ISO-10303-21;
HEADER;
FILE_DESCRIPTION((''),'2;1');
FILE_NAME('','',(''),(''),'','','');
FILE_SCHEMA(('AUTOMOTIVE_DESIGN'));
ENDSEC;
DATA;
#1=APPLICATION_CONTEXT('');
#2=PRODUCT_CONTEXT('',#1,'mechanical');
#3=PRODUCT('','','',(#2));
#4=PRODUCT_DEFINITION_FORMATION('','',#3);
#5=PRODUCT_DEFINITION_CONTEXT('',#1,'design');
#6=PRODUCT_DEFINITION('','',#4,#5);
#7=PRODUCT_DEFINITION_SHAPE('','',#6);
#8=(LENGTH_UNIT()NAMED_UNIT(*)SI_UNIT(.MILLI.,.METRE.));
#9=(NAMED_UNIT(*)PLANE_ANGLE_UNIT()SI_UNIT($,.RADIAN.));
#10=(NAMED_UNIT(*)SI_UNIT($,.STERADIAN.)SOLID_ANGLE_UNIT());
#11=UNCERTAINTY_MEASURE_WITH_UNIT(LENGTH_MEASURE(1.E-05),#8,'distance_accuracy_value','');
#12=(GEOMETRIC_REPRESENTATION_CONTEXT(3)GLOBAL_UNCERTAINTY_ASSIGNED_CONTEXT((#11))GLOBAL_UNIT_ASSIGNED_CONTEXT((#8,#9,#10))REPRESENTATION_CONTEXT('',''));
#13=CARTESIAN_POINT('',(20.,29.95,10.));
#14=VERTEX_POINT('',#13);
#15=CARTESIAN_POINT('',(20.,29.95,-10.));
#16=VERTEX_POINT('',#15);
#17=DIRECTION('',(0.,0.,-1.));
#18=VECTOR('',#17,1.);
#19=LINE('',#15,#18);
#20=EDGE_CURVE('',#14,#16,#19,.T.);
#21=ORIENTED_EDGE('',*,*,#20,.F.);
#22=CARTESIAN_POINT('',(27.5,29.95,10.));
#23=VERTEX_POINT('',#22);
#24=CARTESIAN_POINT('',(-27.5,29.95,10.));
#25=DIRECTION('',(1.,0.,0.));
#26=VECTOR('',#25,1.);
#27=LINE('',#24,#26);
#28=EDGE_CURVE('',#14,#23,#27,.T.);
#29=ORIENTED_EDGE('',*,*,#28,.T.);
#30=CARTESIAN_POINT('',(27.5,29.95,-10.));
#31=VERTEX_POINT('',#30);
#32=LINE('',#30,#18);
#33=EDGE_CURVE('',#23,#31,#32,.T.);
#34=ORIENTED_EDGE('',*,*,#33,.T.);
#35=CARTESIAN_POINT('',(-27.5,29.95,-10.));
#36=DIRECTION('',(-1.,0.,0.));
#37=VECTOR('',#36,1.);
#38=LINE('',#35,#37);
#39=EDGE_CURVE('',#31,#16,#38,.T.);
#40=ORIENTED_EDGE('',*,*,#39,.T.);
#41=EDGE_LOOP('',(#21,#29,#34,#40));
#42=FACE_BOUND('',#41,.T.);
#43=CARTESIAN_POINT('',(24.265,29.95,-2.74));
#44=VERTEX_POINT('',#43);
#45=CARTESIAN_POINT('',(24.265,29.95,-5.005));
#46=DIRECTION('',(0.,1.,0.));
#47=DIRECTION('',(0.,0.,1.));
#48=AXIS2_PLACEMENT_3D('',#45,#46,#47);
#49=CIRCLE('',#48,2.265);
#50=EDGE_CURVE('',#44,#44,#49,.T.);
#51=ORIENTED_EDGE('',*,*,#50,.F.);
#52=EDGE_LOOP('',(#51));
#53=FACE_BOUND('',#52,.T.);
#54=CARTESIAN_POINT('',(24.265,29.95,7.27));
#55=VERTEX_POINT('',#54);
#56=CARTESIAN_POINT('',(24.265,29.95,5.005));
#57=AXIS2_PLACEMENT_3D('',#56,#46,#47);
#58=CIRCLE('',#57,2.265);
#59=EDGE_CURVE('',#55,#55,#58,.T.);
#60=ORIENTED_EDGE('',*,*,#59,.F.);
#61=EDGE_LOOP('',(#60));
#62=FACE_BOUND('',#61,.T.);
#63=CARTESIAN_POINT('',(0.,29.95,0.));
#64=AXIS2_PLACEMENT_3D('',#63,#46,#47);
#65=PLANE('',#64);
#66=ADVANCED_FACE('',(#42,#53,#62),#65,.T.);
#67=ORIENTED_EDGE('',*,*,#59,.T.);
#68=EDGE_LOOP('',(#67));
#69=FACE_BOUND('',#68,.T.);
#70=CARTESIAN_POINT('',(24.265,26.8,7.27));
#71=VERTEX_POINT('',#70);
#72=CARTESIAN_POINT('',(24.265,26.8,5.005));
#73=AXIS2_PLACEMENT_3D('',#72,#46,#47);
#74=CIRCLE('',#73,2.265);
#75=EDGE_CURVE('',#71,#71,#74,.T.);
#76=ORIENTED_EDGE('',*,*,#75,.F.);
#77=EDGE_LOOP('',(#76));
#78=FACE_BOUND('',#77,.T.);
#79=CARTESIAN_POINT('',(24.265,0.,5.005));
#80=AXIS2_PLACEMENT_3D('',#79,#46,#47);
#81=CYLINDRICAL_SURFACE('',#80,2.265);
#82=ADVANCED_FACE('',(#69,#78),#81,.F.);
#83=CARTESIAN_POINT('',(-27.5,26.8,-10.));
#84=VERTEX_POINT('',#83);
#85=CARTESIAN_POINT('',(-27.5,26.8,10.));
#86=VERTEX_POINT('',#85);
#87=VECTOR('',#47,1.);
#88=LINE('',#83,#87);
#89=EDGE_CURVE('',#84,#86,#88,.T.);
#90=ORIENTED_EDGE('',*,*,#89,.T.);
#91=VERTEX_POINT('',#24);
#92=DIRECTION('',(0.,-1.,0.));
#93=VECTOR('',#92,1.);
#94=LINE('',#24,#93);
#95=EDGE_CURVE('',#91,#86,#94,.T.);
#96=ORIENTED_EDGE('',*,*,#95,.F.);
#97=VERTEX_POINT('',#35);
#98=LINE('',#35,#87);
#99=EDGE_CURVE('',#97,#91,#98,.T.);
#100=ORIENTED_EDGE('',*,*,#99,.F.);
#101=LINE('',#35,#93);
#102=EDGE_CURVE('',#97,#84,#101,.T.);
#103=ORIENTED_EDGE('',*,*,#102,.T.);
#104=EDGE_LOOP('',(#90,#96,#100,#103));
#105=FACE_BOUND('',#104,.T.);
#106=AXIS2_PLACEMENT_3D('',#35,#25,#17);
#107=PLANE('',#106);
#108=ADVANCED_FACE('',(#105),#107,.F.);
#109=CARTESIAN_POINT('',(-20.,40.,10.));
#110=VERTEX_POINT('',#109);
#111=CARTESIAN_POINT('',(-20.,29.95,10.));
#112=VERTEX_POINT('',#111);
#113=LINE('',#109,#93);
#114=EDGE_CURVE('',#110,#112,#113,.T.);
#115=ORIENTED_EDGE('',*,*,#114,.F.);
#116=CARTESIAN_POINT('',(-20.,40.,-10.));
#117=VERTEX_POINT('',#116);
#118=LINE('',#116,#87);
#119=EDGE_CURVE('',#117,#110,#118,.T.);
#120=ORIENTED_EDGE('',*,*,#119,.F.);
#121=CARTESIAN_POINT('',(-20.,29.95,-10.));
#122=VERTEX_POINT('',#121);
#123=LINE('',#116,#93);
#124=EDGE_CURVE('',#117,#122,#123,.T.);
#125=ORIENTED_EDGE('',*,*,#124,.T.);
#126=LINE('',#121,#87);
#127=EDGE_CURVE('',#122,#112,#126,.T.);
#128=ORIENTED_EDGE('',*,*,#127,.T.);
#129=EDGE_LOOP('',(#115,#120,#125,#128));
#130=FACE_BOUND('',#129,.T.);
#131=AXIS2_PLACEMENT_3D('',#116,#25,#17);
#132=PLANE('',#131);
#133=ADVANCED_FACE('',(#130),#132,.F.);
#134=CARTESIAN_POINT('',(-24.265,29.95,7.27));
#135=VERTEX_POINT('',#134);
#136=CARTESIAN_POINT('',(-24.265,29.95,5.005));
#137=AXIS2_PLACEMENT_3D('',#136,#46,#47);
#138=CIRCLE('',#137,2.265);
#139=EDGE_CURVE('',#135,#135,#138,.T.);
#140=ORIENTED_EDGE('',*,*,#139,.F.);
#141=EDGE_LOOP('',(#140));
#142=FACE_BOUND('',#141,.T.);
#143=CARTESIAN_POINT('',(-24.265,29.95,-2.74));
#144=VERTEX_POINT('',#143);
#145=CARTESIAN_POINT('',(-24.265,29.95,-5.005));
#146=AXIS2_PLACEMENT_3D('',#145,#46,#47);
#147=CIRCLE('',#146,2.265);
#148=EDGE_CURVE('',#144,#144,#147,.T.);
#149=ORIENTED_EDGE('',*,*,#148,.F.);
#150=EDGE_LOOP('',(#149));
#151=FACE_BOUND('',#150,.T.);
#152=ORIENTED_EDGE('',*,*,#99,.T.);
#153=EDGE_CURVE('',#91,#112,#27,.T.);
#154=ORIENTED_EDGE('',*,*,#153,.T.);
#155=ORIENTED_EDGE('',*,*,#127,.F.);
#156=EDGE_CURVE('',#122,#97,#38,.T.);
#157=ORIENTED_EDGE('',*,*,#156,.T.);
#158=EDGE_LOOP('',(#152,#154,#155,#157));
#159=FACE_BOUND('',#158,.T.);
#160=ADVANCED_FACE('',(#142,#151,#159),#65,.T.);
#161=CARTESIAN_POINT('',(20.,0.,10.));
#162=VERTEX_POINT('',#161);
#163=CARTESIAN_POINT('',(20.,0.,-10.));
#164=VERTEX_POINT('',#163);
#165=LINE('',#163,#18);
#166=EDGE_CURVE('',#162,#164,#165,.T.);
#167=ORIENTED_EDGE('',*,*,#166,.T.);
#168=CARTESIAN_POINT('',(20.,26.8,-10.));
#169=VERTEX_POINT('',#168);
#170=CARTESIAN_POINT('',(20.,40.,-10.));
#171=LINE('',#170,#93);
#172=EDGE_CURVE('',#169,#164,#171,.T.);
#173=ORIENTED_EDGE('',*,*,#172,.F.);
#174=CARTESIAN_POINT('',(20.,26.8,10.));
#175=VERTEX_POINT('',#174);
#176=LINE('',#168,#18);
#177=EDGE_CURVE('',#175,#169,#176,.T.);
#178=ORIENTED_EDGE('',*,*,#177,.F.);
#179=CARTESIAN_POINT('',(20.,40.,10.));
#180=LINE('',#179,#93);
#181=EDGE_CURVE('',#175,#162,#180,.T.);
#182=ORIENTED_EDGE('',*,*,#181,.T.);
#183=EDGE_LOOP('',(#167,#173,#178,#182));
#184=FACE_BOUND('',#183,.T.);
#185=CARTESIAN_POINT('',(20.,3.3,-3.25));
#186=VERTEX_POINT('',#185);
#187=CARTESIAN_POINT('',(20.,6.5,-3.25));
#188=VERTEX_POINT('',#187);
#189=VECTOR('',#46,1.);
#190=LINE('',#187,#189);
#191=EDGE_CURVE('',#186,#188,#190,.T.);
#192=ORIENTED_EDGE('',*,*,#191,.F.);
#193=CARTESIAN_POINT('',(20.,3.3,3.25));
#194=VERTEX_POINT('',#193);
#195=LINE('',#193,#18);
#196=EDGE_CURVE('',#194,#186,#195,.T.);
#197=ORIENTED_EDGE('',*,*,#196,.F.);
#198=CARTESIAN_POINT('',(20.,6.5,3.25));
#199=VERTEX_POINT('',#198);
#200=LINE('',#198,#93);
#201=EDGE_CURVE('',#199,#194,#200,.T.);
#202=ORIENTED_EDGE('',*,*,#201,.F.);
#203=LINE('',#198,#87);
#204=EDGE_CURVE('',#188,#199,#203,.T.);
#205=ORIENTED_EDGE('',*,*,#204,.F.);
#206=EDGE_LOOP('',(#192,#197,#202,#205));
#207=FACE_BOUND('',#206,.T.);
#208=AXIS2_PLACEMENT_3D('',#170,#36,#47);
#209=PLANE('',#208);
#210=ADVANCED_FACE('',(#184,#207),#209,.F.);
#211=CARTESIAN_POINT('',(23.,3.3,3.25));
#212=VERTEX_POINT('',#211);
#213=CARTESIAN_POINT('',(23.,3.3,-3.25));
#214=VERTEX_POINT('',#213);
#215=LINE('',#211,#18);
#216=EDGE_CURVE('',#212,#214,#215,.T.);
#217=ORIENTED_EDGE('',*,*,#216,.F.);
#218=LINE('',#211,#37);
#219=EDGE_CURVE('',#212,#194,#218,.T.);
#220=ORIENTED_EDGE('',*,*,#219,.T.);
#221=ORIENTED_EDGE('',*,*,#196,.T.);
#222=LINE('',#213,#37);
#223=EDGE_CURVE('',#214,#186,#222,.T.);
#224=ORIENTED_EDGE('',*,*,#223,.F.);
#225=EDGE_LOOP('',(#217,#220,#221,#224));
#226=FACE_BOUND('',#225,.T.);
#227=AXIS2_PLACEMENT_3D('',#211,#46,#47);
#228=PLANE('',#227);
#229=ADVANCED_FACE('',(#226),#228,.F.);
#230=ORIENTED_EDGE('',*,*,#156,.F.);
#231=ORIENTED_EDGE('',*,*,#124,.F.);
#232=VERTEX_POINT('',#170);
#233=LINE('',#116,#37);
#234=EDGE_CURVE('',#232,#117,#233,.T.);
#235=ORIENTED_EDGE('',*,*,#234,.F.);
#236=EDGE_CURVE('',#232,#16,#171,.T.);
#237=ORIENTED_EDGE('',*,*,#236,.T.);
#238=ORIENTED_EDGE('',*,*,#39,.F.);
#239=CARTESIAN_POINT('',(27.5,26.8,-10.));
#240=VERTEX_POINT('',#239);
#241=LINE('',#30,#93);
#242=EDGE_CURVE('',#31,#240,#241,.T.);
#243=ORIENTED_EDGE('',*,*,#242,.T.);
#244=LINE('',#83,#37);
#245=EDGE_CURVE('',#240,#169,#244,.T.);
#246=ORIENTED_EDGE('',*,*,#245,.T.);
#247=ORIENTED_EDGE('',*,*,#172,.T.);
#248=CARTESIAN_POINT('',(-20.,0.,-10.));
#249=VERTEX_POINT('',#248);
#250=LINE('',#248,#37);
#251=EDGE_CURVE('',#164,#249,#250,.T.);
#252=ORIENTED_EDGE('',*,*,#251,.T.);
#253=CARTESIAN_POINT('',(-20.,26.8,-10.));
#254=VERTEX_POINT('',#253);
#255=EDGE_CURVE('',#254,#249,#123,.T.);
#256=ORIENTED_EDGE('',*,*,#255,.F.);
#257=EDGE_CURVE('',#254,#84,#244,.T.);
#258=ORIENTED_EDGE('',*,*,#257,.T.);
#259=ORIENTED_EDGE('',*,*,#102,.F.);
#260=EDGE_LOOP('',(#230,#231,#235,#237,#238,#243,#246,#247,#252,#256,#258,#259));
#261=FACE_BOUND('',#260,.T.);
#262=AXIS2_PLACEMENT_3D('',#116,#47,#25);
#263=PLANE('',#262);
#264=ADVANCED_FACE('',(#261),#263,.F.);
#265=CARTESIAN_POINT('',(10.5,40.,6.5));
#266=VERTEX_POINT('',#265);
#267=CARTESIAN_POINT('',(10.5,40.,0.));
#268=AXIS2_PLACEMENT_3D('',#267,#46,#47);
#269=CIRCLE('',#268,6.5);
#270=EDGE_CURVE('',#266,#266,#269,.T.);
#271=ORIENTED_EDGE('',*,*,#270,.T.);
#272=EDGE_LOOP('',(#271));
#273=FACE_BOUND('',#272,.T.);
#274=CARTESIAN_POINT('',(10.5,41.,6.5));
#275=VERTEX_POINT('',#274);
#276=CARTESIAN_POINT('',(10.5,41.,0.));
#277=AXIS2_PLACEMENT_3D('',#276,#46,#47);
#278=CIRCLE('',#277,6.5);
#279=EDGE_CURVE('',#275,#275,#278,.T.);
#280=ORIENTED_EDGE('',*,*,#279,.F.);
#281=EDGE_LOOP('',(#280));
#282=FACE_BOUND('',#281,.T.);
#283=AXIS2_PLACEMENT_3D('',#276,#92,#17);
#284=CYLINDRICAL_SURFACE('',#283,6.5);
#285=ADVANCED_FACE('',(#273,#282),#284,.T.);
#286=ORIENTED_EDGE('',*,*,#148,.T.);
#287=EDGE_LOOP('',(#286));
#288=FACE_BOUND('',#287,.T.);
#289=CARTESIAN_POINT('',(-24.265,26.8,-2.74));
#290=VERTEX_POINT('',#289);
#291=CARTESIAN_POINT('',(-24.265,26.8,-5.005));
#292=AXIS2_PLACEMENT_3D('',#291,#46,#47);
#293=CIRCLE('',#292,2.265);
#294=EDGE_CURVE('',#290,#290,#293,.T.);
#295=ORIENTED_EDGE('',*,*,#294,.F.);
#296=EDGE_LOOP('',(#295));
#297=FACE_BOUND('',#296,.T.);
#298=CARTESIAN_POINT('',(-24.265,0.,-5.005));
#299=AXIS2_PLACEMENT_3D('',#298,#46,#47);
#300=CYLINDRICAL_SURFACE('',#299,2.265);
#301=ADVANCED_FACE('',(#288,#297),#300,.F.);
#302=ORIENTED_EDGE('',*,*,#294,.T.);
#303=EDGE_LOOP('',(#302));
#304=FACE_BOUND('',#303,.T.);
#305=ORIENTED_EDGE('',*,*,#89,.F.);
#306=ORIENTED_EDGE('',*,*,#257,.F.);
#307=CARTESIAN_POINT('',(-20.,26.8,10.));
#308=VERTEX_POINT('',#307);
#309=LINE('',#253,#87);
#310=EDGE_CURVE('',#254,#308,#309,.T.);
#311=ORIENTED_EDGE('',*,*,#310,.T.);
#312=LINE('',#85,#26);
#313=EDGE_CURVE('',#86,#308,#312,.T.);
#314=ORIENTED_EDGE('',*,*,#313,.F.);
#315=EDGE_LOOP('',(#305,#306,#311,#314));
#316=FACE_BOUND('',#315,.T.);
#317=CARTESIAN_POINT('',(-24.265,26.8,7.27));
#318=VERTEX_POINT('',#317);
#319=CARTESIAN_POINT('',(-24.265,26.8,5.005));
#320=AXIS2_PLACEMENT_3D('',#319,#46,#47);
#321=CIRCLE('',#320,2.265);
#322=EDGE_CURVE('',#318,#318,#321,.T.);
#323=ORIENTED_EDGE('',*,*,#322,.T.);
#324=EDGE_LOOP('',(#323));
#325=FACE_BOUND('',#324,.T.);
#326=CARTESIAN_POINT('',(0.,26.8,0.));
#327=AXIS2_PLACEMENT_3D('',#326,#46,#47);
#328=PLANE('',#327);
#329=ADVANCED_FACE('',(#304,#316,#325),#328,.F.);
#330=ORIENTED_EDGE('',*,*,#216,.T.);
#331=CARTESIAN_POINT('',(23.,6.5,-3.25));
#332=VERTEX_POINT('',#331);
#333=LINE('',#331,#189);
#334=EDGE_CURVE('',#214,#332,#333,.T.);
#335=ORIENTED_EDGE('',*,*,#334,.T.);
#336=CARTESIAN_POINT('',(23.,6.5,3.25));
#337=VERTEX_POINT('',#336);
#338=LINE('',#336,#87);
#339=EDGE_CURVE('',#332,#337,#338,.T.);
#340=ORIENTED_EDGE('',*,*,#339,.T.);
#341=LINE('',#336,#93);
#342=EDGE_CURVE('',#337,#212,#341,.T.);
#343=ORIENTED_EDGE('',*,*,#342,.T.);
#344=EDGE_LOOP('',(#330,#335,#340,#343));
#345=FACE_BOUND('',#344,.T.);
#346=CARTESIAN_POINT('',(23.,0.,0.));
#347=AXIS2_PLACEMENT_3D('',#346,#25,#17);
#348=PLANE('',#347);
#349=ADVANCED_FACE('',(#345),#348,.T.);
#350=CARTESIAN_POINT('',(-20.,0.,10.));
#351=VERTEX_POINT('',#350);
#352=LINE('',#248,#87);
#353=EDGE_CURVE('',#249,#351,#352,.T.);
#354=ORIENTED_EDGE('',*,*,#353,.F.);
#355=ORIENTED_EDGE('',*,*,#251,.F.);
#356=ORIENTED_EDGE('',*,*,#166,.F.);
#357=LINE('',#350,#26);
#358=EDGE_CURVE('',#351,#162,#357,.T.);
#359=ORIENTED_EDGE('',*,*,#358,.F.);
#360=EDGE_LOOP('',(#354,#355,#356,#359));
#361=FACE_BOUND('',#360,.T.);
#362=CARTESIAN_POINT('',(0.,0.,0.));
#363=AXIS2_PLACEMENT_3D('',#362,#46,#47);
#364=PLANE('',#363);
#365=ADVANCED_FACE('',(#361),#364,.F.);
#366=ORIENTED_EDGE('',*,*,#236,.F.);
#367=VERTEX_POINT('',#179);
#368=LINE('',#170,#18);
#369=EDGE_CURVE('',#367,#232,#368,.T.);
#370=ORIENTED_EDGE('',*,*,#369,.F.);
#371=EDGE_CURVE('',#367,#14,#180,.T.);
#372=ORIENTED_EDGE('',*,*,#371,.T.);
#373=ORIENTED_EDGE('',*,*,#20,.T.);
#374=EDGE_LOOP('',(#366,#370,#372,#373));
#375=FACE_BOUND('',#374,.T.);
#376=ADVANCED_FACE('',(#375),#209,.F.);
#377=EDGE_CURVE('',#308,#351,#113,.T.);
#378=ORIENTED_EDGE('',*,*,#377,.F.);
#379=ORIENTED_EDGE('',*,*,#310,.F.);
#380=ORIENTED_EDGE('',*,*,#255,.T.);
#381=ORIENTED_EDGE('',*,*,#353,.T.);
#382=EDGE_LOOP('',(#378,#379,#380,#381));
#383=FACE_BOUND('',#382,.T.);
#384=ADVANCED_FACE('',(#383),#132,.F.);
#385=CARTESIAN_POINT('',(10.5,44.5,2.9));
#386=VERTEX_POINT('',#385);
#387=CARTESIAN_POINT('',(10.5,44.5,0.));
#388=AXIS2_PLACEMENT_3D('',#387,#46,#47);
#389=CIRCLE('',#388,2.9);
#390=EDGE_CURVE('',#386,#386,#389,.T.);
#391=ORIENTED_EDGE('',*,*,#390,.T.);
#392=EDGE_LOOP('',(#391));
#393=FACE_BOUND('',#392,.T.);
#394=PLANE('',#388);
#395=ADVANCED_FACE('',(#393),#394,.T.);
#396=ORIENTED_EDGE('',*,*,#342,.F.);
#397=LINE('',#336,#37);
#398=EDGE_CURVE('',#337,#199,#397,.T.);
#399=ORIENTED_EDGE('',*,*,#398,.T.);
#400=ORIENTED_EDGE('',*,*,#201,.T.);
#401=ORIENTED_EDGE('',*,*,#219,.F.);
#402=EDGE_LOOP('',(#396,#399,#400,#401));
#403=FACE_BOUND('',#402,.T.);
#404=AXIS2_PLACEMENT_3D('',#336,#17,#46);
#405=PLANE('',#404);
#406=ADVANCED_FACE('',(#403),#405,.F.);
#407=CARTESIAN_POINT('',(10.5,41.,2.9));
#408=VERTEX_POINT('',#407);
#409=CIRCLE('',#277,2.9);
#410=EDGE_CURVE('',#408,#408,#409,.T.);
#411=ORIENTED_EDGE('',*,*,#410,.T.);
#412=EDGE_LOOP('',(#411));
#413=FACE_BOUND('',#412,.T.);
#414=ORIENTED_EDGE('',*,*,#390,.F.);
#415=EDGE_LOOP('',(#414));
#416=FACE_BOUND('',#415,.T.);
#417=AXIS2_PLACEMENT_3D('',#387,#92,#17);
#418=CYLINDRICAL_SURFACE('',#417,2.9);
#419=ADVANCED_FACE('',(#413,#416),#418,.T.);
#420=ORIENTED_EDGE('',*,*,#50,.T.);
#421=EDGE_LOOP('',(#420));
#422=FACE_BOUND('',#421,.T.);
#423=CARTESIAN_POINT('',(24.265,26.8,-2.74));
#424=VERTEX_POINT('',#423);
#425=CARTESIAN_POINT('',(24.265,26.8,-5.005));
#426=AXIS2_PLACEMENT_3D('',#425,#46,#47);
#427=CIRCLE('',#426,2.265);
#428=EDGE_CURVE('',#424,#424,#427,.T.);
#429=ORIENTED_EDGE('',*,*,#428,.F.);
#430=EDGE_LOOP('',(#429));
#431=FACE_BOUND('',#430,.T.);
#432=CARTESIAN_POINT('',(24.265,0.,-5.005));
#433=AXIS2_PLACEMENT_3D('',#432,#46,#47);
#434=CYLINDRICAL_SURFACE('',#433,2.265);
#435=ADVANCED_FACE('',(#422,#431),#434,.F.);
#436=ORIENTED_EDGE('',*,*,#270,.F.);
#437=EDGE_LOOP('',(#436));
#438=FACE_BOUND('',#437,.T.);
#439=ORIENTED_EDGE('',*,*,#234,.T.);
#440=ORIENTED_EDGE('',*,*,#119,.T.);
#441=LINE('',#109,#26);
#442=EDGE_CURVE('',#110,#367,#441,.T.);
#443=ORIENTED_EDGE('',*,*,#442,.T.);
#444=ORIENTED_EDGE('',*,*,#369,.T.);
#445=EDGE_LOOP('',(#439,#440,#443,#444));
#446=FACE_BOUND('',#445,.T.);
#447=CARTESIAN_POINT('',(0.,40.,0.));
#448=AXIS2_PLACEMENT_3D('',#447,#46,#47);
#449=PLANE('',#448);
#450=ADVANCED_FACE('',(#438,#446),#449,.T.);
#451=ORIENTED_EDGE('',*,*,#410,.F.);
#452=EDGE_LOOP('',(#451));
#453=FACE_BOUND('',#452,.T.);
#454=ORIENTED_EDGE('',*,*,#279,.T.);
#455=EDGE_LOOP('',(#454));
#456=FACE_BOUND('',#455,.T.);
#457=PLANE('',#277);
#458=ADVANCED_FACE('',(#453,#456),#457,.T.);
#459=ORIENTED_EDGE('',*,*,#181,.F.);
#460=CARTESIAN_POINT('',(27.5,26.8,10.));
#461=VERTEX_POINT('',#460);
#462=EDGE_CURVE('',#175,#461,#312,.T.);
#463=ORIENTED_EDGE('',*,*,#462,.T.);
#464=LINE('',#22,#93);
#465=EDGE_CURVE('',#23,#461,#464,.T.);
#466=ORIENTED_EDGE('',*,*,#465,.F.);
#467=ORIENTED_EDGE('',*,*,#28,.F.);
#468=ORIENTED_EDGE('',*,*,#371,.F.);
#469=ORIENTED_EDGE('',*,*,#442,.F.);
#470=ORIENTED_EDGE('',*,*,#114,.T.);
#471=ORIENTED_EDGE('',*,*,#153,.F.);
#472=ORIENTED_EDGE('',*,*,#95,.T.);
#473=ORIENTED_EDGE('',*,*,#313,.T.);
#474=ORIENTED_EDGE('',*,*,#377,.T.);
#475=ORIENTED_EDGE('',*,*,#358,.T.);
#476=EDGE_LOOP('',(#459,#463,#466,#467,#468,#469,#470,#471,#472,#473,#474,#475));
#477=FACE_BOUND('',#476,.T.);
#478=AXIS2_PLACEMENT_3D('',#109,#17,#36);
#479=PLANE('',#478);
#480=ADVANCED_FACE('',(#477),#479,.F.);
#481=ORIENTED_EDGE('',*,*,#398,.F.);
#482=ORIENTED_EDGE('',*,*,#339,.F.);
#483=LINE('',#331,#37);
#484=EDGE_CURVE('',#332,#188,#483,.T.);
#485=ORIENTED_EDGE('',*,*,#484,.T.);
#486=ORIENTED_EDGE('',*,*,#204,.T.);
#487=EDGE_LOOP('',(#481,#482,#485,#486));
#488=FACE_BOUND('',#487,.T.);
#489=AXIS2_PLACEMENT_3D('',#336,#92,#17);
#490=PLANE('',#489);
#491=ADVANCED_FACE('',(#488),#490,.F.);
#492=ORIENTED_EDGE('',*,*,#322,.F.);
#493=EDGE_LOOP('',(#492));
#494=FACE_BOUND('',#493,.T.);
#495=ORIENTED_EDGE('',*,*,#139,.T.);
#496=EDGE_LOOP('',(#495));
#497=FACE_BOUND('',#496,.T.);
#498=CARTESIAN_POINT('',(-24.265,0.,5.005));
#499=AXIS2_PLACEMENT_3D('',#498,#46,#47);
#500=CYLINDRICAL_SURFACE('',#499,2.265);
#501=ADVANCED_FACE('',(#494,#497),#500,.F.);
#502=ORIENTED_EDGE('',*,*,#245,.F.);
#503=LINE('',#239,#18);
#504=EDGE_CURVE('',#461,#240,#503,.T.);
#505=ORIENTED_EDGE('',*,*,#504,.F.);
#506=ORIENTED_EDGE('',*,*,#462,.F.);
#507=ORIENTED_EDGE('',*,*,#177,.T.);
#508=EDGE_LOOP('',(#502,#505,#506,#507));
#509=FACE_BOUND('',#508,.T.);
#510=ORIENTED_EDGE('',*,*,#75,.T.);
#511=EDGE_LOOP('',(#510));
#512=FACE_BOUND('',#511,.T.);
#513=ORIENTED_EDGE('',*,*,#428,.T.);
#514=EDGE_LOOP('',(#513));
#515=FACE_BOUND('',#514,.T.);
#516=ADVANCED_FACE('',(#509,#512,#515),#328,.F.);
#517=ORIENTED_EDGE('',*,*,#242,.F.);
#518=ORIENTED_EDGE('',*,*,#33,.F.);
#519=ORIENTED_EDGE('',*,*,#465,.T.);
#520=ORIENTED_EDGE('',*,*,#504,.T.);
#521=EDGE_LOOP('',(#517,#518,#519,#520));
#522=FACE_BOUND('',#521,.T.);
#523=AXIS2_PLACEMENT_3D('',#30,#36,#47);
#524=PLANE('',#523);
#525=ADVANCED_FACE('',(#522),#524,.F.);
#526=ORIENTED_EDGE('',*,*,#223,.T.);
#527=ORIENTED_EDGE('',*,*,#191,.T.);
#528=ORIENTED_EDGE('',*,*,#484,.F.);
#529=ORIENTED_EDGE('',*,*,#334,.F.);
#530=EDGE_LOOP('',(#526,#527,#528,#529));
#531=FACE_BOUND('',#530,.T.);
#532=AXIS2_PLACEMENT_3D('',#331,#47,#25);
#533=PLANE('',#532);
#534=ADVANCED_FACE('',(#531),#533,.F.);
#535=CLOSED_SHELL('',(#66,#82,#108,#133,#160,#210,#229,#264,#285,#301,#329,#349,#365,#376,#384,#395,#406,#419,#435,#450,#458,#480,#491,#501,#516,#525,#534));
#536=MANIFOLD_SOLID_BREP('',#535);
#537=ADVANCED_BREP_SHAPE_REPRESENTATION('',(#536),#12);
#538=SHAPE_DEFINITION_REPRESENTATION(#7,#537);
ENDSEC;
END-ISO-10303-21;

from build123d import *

# Parameters (mm, degrees)
SKETCH1_W               = 40
SKETCH1_H               = 20
BOSS_EXTRUDE1_DEPTH     = 40
BOSS_EXTRUDE2_START     = -13.2
SKETCH2_W               = 55
SKETCH2_H               = 20
BOSS_EXTRUDE2_DEPTH     = 3.15
CUT_EXTRUDE1_DEPTH      = 42.871858091
CUT_EXTRUDE1_DEPTH_BACK = 42.871858091
SKETCH4_R               = 2.265
SKETCH5_R               = 6.5
BOSS_EXTRUDE3_DEPTH     = 1
SKETCH7_R               = 2.9
BOSS_EXTRUDE4_DEPTH     = 3.5
SKETCH8_W               = 6.5
SKETCH8_H               = 3.2
BOSS_EXTRUDE5_DEPTH     = 3


with BuildPart() as part:
    # Sketch1 → Boss-Extrude1 (new body)
    with BuildSketch(Plane(origin=(0, 0, 0), x_dir=(1, 0, 0), z_dir=(0, 1, 0))):
        Rectangle(SKETCH1_W, SKETCH1_H)
    extrude(amount=BOSS_EXTRUDE1_DEPTH)

    # Sketch2 → Boss-Extrude2 (add)
    with BuildSketch(Plane(origin=(0, 40, 0), x_dir=(1, 0, 0), z_dir=(0, 1, 0)).offset(BOSS_EXTRUDE2_START)):
        Rectangle(SKETCH2_W, SKETCH2_H)
    extrude(amount=BOSS_EXTRUDE2_DEPTH)

    # Sketch4 → Cut-Extrude1 (cut, two sides: drawn at the far end of the back side and taken through both)
    with BuildSketch(Plane(origin=(0, 29.95, 0), x_dir=(1, 0, 0), z_dir=(0, 1, 0)).offset(-CUT_EXTRUDE1_DEPTH_BACK)):
        with Locations(Location((-24.265, 5.005, 0), (0, 0, 270))):
            Circle(SKETCH4_R)
        with Locations(Location((-24.265, -5.005, 0), (0, 0, 270))):
            Circle(SKETCH4_R)
        with Locations(Location((24.265, -5.005, 0), (0, 0, 270))):
            Circle(SKETCH4_R)
        with Locations(Location((24.265, 5.005, 0), (0, 0, 270))):
            Circle(SKETCH4_R)
    extrude(amount=CUT_EXTRUDE1_DEPTH + CUT_EXTRUDE1_DEPTH_BACK, mode=Mode.SUBTRACT)

    # Sketch5 → Boss-Extrude3 (add)
    with BuildSketch(Plane(origin=(0, 40, 0), x_dir=(1, 0, 0), z_dir=(0, 1, 0))):
        with Locations(Location((10.5, 0, 0), (0, 0, 270))):
            Circle(SKETCH5_R)
    extrude(amount=BOSS_EXTRUDE3_DEPTH)

    # Sketch7 → Boss-Extrude4 (add)
    with BuildSketch(Plane(origin=(0, 41, 0), x_dir=(1, 0, 0), z_dir=(0, 1, 0))):
        with Locations(Location((10.5, 0, 0), (0, 0, 270))):
            Circle(SKETCH7_R)
    extrude(amount=BOSS_EXTRUDE4_DEPTH)

    # Sketch8 → Boss-Extrude5 (add)
    with BuildSketch(Plane(origin=(20, 0, 0), x_dir=(0, 0, -1), z_dir=(1, 0, 0))):
        with Locations((0, 4.9)):
            Rectangle(SKETCH8_W, SKETCH8_H)
    extrude(amount=BOSS_EXTRUDE5_DEPTH)


solid = part.part
